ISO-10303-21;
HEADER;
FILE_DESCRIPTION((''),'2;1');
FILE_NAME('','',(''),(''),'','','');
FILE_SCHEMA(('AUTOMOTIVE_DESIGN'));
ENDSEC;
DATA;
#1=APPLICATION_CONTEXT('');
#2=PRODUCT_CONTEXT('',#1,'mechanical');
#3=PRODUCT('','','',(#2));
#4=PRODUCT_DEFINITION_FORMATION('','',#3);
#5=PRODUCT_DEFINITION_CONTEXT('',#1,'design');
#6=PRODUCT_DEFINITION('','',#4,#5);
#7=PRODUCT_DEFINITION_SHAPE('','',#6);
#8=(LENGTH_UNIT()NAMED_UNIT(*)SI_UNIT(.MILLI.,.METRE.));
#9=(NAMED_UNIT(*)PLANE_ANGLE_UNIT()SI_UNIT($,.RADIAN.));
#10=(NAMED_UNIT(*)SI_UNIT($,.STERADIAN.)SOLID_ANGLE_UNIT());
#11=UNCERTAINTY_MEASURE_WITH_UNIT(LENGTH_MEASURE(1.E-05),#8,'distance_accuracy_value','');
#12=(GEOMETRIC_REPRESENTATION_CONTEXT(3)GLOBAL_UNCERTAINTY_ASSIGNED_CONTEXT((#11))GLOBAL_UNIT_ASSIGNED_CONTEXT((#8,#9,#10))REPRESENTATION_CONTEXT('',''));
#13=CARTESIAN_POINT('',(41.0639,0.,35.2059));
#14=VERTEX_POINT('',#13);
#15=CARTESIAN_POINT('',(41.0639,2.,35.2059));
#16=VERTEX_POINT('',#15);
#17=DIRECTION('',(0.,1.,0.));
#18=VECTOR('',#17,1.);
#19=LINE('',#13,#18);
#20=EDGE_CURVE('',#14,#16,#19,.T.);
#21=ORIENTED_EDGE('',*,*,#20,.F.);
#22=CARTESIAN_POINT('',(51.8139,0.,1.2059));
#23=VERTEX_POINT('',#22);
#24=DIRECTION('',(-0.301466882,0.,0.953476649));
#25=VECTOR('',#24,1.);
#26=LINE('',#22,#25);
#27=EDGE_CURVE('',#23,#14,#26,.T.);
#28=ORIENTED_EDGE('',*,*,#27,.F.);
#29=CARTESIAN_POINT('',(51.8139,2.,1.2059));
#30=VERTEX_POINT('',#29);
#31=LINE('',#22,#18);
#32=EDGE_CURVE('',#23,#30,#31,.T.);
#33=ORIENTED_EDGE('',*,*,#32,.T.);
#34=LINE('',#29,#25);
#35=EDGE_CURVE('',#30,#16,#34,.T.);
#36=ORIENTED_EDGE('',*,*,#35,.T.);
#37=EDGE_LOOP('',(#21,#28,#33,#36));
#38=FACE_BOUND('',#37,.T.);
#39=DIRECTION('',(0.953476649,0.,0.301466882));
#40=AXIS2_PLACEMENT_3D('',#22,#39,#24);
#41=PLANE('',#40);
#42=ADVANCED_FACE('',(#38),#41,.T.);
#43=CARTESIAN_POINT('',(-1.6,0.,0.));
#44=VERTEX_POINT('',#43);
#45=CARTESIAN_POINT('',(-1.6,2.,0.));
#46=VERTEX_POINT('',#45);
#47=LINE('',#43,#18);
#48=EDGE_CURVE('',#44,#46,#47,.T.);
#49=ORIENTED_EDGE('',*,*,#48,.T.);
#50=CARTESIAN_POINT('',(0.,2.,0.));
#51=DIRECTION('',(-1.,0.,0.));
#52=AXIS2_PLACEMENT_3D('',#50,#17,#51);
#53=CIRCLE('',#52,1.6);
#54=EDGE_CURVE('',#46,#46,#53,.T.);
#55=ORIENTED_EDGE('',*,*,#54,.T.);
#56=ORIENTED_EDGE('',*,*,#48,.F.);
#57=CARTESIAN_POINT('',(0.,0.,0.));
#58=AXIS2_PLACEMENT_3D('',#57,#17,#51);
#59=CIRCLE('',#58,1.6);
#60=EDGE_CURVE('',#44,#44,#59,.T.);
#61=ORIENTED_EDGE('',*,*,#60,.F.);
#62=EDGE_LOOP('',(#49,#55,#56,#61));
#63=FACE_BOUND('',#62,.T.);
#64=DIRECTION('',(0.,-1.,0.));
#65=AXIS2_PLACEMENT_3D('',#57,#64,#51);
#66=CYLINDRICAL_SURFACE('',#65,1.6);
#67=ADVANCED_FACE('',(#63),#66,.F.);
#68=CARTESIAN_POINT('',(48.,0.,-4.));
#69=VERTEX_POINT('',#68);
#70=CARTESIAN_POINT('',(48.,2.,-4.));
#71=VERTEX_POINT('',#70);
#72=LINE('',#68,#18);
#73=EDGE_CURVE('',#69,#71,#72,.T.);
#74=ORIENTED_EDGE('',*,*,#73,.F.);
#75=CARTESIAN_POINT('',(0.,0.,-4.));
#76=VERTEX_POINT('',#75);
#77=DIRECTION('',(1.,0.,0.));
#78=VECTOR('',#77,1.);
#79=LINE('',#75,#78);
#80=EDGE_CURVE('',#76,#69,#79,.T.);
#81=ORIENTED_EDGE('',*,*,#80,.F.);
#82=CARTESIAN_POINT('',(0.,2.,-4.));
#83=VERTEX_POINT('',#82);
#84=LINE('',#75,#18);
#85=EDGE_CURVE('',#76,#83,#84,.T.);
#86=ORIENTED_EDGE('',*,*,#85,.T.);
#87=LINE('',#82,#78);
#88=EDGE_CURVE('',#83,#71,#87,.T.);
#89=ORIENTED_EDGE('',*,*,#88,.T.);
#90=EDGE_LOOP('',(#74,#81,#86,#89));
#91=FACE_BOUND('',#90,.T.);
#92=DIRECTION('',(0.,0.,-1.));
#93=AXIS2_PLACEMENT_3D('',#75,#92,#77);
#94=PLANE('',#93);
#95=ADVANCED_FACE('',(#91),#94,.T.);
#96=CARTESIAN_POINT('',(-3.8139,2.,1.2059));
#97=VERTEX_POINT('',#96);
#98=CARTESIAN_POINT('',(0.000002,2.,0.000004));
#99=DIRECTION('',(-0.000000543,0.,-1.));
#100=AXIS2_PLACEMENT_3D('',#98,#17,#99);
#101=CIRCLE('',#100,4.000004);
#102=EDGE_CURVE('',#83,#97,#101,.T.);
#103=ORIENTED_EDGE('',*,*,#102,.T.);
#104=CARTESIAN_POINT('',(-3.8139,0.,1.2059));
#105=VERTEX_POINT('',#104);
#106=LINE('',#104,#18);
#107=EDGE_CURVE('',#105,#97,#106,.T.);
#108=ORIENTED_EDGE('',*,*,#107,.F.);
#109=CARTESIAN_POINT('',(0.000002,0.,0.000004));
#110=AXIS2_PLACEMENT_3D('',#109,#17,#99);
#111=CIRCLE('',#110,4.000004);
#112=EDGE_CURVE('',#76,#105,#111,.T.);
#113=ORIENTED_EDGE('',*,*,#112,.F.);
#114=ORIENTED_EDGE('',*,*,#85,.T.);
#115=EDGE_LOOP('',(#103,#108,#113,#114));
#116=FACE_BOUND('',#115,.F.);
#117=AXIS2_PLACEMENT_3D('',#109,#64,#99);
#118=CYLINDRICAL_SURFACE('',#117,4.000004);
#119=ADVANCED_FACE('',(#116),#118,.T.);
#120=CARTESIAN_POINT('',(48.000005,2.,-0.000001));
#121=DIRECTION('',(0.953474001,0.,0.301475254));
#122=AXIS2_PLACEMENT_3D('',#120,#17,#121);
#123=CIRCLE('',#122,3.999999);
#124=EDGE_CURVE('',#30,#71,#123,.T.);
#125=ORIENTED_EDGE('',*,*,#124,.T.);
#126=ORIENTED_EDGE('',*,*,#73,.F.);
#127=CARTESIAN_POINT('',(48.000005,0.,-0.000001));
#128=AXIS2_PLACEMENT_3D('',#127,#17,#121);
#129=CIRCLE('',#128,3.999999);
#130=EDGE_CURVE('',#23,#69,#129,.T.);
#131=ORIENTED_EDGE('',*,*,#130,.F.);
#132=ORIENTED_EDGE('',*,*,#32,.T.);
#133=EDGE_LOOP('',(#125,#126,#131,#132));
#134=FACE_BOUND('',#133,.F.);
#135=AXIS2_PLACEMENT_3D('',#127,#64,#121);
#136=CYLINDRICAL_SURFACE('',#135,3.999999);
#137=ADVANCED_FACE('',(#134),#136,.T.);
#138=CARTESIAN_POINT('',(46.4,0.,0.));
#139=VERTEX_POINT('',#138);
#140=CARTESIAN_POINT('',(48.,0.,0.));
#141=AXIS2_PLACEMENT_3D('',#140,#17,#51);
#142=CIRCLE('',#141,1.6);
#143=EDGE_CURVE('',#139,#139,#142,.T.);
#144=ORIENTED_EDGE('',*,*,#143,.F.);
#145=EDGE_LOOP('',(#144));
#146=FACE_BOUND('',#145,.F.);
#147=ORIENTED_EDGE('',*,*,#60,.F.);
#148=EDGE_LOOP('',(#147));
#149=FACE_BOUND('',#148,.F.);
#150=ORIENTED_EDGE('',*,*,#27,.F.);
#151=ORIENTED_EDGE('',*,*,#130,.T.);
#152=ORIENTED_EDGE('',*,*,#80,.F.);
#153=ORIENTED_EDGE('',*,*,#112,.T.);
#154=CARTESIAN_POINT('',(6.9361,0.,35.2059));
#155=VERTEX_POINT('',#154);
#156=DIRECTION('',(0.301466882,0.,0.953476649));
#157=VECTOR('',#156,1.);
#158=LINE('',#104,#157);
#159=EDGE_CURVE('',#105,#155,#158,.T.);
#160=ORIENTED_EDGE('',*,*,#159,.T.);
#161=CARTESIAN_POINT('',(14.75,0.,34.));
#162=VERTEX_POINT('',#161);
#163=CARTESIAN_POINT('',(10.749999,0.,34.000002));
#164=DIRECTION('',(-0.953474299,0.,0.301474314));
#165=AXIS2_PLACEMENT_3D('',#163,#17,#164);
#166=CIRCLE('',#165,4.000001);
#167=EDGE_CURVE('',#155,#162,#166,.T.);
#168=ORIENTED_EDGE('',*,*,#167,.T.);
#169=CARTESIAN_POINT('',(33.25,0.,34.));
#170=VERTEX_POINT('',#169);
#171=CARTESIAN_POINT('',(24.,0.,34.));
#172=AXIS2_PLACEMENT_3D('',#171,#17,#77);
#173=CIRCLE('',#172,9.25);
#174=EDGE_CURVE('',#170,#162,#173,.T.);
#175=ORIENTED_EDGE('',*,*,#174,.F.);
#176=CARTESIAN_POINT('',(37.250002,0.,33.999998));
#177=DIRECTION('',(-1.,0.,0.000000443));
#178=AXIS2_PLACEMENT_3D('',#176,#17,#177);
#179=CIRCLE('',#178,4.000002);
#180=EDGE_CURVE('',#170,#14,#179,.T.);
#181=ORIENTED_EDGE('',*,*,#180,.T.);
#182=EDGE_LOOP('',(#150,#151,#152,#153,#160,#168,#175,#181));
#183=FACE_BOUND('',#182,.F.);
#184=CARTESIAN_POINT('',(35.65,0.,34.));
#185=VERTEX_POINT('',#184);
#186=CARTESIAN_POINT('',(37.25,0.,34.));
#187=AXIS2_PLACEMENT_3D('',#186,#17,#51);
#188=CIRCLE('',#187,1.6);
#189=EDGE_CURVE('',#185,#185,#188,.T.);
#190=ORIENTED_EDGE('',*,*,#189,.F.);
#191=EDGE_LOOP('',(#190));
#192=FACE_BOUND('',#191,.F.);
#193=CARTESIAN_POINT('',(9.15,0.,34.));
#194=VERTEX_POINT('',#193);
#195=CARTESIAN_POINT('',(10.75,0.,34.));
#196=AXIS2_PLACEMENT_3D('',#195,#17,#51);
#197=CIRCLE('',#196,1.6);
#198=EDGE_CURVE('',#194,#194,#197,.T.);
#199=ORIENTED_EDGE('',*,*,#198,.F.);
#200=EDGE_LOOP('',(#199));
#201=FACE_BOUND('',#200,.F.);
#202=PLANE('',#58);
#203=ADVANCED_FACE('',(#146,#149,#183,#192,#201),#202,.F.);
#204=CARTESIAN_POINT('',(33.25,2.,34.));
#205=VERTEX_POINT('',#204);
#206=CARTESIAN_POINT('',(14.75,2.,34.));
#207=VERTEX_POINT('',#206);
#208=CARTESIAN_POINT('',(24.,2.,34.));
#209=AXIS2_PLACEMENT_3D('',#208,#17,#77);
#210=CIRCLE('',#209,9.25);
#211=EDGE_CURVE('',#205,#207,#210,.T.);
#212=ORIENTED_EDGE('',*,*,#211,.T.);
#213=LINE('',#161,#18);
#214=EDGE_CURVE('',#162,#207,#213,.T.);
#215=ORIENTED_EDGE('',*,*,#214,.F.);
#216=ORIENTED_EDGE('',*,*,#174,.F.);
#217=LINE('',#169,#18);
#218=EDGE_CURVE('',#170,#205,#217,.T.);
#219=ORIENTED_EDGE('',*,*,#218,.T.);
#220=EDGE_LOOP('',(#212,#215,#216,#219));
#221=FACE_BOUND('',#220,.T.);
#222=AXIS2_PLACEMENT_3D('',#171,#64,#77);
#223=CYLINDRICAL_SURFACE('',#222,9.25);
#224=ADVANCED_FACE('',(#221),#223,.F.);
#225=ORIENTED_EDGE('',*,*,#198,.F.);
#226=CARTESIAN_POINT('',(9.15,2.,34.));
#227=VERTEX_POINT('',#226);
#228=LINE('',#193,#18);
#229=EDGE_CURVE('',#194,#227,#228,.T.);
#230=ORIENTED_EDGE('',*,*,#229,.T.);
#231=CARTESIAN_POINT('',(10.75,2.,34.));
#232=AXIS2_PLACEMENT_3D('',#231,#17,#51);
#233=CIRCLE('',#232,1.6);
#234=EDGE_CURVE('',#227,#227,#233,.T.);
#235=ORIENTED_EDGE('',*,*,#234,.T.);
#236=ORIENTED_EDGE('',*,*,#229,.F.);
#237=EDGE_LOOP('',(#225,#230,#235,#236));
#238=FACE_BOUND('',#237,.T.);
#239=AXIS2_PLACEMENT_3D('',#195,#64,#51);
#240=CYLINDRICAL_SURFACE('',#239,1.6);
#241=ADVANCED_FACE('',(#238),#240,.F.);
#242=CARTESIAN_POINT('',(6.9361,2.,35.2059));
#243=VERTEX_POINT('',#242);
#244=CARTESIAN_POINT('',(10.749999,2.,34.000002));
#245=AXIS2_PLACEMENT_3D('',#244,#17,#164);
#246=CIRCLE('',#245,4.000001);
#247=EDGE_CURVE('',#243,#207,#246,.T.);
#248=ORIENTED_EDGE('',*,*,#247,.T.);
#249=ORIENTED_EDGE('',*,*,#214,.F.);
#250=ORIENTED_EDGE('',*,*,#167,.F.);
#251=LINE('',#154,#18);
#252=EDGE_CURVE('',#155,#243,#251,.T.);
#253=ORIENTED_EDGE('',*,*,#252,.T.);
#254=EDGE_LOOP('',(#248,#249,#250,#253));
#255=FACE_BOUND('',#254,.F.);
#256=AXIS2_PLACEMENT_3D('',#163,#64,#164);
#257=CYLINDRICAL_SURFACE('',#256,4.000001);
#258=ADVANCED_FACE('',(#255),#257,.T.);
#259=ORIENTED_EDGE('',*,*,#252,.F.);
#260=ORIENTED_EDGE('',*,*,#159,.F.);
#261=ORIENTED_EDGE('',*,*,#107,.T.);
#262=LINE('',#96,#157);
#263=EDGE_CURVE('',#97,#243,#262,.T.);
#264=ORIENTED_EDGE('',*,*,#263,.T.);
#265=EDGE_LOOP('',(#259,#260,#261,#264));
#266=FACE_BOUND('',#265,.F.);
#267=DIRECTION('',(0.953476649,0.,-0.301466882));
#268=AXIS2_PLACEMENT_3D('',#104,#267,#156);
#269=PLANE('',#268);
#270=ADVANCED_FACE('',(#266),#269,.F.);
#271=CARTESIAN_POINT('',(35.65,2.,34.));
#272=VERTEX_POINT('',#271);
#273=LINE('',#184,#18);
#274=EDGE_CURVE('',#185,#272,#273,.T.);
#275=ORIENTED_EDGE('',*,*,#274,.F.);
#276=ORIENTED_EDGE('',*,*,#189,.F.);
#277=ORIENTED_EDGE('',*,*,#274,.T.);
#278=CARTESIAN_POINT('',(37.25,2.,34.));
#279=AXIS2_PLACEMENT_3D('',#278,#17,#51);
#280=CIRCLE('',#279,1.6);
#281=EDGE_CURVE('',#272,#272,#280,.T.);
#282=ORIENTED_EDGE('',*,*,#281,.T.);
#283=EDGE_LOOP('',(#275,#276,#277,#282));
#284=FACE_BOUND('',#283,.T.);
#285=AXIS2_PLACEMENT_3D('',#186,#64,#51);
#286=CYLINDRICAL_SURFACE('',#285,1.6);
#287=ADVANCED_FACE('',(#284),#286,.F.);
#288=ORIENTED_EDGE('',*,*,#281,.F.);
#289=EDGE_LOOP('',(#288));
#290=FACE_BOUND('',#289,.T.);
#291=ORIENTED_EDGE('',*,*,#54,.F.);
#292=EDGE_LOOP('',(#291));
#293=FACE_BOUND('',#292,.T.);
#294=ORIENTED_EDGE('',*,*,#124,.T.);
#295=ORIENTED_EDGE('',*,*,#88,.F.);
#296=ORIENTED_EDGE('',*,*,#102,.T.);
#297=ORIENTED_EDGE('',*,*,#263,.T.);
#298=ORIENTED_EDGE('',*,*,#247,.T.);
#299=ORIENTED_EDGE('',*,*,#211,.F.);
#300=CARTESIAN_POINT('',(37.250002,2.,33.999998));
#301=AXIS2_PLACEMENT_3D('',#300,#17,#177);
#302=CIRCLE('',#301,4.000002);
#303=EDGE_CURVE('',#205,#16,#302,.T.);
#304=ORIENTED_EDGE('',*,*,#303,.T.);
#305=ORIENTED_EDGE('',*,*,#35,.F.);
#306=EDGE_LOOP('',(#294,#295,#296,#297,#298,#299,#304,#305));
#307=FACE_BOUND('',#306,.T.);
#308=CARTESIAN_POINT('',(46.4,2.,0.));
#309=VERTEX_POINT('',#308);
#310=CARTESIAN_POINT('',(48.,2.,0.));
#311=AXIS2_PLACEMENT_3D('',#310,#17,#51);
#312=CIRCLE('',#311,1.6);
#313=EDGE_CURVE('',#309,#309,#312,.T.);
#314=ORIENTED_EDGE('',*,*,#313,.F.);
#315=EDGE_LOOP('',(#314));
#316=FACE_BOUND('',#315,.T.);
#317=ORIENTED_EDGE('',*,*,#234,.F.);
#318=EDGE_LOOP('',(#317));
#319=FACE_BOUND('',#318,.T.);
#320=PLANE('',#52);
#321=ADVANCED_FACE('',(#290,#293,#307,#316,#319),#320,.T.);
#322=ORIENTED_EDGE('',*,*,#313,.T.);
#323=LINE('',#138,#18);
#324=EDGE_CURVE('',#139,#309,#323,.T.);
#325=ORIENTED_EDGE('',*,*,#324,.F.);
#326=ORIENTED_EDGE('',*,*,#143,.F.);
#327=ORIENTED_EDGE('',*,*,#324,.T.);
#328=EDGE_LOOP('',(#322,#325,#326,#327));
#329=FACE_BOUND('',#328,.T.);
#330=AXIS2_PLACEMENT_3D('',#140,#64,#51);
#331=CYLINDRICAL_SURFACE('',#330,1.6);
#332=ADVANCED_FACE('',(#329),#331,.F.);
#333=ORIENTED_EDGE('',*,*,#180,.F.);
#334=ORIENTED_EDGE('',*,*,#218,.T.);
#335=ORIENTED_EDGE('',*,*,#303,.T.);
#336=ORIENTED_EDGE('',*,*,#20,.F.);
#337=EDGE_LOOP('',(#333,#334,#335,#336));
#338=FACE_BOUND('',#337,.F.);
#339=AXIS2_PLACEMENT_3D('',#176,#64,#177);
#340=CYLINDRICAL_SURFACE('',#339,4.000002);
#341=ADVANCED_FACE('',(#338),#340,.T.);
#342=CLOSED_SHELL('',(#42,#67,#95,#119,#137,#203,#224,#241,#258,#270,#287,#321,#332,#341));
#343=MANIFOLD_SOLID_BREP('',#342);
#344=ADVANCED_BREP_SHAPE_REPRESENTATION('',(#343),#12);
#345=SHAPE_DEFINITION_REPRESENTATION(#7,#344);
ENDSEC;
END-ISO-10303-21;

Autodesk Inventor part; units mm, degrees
ref_plane "YZ Plane" through (0, 0, 0) normal (1, 0, 0) x (0, 1, 0)
ref_plane "XZ Plane" through (0, 0, 0) normal (0, 1, 0) x (-1, 0, 0)
ref_plane "XY Plane" through (0, 0, 0) normal (0, 0, 1) x (1, 0, 0)
sketch "Sketch1" plane through (0, 0, 0) normal (0, 1, 0) x (-1, 0, 0)
  line L0 (0, 0) -> (-48, 0) construction
  line L1 (-24, 0) -> (-24, 34) construction
  line L2 (-24, 34) -> (-37.25, 34) construction
  line L3 (-24, 34) -> (-10.75, 34) construction
  circle A0 centre (-48, 0) radius 1.6
  circle A1 centre (-37.25, 34) radius 1.6
  circle A2 centre (0, 0) radius 1.6
  circle A3 centre (-10.75, 34) radius 1.6
  arc A4 (-51.8139, 1.2059) -> (-48, -4) centre (-48, 0) ccw
  arc A5 (-33.25, 34) -> (-41.0639, 35.2059) centre (-37.25, 34) ccw
  arc A6 (0, -4) -> (3.8139, 1.2059) centre (0, 0) ccw
  arc A7 (-6.9361, 35.2059) -> (-14.75, 34) centre (-10.75, 34) ccw
  arc A8 (-33.25, 34) -> (-14.75, 34) centre (-24, 34) ccw
  line L4 (0, -4) -> (-48, -4)
  line L5 (-51.8139, 1.2059) -> (-41.0639, 35.2059)
  line L6 (3.8139, 1.2059) -> (-6.9361, 35.2059)
  dimension "d0" = 48
  dimension "d1" = 34
  dimension "d2" = 13.25
  dimension "d3" = 3.2
  dimension "d4" = 3.2
  dimension "d5" = 8
  dimension "d6" = 8
extrude "Extrusion1" add sketch "Sketch1" along normal blind 2
properties part number "front mount base"
